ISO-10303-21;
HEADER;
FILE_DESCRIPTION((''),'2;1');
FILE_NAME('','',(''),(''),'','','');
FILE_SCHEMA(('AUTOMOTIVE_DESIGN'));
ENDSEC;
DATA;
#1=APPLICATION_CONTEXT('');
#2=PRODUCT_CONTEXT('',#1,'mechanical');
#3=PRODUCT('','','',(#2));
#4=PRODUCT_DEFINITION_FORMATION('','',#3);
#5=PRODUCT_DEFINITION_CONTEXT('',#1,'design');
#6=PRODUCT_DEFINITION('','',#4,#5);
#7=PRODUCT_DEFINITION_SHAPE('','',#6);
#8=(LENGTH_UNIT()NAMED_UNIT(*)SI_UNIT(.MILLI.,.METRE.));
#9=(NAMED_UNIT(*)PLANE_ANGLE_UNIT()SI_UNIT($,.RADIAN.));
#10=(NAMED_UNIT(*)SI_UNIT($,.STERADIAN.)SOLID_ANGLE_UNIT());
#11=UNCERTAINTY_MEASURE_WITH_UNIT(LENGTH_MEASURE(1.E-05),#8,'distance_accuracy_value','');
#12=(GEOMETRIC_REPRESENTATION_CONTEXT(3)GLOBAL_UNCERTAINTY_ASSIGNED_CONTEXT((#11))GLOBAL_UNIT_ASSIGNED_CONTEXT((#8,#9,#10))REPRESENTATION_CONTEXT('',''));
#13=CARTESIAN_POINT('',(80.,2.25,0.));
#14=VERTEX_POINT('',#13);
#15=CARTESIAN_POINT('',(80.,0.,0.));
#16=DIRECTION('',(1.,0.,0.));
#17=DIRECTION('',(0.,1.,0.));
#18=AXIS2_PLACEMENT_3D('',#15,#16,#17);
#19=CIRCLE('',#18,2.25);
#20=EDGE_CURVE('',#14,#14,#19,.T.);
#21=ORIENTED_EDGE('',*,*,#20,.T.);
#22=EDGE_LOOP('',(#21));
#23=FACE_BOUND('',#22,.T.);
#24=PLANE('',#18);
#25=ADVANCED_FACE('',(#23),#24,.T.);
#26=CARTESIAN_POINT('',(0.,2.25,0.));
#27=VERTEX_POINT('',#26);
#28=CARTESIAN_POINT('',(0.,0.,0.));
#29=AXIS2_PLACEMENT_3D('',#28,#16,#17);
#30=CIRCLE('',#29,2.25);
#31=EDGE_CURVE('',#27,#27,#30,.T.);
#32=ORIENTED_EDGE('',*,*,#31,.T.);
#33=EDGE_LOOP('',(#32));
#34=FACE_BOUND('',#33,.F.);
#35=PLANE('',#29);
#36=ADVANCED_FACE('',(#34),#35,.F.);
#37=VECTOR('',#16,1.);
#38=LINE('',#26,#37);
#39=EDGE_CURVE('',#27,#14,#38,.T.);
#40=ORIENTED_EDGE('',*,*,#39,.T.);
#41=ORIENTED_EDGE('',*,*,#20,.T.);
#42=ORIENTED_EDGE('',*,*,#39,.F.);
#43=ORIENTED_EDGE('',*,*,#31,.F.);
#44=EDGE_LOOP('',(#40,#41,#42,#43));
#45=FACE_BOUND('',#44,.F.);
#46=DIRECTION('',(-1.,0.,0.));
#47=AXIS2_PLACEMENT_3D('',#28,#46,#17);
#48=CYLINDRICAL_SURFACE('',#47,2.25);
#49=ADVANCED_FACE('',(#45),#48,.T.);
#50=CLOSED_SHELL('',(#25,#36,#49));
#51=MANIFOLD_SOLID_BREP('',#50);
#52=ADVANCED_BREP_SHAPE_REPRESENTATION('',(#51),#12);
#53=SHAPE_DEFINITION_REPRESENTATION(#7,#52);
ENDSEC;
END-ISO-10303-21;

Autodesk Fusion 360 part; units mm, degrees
sketch "Ax" plane through (0, 0, 0) normal (1, 0, 0) x (0, 1, 0)
  circle A0 centre (0, 0) radius 2.25
  dimension "d1" = 4.5
extrude "Extrude1" add sketch "Ax" along normal blind 80
